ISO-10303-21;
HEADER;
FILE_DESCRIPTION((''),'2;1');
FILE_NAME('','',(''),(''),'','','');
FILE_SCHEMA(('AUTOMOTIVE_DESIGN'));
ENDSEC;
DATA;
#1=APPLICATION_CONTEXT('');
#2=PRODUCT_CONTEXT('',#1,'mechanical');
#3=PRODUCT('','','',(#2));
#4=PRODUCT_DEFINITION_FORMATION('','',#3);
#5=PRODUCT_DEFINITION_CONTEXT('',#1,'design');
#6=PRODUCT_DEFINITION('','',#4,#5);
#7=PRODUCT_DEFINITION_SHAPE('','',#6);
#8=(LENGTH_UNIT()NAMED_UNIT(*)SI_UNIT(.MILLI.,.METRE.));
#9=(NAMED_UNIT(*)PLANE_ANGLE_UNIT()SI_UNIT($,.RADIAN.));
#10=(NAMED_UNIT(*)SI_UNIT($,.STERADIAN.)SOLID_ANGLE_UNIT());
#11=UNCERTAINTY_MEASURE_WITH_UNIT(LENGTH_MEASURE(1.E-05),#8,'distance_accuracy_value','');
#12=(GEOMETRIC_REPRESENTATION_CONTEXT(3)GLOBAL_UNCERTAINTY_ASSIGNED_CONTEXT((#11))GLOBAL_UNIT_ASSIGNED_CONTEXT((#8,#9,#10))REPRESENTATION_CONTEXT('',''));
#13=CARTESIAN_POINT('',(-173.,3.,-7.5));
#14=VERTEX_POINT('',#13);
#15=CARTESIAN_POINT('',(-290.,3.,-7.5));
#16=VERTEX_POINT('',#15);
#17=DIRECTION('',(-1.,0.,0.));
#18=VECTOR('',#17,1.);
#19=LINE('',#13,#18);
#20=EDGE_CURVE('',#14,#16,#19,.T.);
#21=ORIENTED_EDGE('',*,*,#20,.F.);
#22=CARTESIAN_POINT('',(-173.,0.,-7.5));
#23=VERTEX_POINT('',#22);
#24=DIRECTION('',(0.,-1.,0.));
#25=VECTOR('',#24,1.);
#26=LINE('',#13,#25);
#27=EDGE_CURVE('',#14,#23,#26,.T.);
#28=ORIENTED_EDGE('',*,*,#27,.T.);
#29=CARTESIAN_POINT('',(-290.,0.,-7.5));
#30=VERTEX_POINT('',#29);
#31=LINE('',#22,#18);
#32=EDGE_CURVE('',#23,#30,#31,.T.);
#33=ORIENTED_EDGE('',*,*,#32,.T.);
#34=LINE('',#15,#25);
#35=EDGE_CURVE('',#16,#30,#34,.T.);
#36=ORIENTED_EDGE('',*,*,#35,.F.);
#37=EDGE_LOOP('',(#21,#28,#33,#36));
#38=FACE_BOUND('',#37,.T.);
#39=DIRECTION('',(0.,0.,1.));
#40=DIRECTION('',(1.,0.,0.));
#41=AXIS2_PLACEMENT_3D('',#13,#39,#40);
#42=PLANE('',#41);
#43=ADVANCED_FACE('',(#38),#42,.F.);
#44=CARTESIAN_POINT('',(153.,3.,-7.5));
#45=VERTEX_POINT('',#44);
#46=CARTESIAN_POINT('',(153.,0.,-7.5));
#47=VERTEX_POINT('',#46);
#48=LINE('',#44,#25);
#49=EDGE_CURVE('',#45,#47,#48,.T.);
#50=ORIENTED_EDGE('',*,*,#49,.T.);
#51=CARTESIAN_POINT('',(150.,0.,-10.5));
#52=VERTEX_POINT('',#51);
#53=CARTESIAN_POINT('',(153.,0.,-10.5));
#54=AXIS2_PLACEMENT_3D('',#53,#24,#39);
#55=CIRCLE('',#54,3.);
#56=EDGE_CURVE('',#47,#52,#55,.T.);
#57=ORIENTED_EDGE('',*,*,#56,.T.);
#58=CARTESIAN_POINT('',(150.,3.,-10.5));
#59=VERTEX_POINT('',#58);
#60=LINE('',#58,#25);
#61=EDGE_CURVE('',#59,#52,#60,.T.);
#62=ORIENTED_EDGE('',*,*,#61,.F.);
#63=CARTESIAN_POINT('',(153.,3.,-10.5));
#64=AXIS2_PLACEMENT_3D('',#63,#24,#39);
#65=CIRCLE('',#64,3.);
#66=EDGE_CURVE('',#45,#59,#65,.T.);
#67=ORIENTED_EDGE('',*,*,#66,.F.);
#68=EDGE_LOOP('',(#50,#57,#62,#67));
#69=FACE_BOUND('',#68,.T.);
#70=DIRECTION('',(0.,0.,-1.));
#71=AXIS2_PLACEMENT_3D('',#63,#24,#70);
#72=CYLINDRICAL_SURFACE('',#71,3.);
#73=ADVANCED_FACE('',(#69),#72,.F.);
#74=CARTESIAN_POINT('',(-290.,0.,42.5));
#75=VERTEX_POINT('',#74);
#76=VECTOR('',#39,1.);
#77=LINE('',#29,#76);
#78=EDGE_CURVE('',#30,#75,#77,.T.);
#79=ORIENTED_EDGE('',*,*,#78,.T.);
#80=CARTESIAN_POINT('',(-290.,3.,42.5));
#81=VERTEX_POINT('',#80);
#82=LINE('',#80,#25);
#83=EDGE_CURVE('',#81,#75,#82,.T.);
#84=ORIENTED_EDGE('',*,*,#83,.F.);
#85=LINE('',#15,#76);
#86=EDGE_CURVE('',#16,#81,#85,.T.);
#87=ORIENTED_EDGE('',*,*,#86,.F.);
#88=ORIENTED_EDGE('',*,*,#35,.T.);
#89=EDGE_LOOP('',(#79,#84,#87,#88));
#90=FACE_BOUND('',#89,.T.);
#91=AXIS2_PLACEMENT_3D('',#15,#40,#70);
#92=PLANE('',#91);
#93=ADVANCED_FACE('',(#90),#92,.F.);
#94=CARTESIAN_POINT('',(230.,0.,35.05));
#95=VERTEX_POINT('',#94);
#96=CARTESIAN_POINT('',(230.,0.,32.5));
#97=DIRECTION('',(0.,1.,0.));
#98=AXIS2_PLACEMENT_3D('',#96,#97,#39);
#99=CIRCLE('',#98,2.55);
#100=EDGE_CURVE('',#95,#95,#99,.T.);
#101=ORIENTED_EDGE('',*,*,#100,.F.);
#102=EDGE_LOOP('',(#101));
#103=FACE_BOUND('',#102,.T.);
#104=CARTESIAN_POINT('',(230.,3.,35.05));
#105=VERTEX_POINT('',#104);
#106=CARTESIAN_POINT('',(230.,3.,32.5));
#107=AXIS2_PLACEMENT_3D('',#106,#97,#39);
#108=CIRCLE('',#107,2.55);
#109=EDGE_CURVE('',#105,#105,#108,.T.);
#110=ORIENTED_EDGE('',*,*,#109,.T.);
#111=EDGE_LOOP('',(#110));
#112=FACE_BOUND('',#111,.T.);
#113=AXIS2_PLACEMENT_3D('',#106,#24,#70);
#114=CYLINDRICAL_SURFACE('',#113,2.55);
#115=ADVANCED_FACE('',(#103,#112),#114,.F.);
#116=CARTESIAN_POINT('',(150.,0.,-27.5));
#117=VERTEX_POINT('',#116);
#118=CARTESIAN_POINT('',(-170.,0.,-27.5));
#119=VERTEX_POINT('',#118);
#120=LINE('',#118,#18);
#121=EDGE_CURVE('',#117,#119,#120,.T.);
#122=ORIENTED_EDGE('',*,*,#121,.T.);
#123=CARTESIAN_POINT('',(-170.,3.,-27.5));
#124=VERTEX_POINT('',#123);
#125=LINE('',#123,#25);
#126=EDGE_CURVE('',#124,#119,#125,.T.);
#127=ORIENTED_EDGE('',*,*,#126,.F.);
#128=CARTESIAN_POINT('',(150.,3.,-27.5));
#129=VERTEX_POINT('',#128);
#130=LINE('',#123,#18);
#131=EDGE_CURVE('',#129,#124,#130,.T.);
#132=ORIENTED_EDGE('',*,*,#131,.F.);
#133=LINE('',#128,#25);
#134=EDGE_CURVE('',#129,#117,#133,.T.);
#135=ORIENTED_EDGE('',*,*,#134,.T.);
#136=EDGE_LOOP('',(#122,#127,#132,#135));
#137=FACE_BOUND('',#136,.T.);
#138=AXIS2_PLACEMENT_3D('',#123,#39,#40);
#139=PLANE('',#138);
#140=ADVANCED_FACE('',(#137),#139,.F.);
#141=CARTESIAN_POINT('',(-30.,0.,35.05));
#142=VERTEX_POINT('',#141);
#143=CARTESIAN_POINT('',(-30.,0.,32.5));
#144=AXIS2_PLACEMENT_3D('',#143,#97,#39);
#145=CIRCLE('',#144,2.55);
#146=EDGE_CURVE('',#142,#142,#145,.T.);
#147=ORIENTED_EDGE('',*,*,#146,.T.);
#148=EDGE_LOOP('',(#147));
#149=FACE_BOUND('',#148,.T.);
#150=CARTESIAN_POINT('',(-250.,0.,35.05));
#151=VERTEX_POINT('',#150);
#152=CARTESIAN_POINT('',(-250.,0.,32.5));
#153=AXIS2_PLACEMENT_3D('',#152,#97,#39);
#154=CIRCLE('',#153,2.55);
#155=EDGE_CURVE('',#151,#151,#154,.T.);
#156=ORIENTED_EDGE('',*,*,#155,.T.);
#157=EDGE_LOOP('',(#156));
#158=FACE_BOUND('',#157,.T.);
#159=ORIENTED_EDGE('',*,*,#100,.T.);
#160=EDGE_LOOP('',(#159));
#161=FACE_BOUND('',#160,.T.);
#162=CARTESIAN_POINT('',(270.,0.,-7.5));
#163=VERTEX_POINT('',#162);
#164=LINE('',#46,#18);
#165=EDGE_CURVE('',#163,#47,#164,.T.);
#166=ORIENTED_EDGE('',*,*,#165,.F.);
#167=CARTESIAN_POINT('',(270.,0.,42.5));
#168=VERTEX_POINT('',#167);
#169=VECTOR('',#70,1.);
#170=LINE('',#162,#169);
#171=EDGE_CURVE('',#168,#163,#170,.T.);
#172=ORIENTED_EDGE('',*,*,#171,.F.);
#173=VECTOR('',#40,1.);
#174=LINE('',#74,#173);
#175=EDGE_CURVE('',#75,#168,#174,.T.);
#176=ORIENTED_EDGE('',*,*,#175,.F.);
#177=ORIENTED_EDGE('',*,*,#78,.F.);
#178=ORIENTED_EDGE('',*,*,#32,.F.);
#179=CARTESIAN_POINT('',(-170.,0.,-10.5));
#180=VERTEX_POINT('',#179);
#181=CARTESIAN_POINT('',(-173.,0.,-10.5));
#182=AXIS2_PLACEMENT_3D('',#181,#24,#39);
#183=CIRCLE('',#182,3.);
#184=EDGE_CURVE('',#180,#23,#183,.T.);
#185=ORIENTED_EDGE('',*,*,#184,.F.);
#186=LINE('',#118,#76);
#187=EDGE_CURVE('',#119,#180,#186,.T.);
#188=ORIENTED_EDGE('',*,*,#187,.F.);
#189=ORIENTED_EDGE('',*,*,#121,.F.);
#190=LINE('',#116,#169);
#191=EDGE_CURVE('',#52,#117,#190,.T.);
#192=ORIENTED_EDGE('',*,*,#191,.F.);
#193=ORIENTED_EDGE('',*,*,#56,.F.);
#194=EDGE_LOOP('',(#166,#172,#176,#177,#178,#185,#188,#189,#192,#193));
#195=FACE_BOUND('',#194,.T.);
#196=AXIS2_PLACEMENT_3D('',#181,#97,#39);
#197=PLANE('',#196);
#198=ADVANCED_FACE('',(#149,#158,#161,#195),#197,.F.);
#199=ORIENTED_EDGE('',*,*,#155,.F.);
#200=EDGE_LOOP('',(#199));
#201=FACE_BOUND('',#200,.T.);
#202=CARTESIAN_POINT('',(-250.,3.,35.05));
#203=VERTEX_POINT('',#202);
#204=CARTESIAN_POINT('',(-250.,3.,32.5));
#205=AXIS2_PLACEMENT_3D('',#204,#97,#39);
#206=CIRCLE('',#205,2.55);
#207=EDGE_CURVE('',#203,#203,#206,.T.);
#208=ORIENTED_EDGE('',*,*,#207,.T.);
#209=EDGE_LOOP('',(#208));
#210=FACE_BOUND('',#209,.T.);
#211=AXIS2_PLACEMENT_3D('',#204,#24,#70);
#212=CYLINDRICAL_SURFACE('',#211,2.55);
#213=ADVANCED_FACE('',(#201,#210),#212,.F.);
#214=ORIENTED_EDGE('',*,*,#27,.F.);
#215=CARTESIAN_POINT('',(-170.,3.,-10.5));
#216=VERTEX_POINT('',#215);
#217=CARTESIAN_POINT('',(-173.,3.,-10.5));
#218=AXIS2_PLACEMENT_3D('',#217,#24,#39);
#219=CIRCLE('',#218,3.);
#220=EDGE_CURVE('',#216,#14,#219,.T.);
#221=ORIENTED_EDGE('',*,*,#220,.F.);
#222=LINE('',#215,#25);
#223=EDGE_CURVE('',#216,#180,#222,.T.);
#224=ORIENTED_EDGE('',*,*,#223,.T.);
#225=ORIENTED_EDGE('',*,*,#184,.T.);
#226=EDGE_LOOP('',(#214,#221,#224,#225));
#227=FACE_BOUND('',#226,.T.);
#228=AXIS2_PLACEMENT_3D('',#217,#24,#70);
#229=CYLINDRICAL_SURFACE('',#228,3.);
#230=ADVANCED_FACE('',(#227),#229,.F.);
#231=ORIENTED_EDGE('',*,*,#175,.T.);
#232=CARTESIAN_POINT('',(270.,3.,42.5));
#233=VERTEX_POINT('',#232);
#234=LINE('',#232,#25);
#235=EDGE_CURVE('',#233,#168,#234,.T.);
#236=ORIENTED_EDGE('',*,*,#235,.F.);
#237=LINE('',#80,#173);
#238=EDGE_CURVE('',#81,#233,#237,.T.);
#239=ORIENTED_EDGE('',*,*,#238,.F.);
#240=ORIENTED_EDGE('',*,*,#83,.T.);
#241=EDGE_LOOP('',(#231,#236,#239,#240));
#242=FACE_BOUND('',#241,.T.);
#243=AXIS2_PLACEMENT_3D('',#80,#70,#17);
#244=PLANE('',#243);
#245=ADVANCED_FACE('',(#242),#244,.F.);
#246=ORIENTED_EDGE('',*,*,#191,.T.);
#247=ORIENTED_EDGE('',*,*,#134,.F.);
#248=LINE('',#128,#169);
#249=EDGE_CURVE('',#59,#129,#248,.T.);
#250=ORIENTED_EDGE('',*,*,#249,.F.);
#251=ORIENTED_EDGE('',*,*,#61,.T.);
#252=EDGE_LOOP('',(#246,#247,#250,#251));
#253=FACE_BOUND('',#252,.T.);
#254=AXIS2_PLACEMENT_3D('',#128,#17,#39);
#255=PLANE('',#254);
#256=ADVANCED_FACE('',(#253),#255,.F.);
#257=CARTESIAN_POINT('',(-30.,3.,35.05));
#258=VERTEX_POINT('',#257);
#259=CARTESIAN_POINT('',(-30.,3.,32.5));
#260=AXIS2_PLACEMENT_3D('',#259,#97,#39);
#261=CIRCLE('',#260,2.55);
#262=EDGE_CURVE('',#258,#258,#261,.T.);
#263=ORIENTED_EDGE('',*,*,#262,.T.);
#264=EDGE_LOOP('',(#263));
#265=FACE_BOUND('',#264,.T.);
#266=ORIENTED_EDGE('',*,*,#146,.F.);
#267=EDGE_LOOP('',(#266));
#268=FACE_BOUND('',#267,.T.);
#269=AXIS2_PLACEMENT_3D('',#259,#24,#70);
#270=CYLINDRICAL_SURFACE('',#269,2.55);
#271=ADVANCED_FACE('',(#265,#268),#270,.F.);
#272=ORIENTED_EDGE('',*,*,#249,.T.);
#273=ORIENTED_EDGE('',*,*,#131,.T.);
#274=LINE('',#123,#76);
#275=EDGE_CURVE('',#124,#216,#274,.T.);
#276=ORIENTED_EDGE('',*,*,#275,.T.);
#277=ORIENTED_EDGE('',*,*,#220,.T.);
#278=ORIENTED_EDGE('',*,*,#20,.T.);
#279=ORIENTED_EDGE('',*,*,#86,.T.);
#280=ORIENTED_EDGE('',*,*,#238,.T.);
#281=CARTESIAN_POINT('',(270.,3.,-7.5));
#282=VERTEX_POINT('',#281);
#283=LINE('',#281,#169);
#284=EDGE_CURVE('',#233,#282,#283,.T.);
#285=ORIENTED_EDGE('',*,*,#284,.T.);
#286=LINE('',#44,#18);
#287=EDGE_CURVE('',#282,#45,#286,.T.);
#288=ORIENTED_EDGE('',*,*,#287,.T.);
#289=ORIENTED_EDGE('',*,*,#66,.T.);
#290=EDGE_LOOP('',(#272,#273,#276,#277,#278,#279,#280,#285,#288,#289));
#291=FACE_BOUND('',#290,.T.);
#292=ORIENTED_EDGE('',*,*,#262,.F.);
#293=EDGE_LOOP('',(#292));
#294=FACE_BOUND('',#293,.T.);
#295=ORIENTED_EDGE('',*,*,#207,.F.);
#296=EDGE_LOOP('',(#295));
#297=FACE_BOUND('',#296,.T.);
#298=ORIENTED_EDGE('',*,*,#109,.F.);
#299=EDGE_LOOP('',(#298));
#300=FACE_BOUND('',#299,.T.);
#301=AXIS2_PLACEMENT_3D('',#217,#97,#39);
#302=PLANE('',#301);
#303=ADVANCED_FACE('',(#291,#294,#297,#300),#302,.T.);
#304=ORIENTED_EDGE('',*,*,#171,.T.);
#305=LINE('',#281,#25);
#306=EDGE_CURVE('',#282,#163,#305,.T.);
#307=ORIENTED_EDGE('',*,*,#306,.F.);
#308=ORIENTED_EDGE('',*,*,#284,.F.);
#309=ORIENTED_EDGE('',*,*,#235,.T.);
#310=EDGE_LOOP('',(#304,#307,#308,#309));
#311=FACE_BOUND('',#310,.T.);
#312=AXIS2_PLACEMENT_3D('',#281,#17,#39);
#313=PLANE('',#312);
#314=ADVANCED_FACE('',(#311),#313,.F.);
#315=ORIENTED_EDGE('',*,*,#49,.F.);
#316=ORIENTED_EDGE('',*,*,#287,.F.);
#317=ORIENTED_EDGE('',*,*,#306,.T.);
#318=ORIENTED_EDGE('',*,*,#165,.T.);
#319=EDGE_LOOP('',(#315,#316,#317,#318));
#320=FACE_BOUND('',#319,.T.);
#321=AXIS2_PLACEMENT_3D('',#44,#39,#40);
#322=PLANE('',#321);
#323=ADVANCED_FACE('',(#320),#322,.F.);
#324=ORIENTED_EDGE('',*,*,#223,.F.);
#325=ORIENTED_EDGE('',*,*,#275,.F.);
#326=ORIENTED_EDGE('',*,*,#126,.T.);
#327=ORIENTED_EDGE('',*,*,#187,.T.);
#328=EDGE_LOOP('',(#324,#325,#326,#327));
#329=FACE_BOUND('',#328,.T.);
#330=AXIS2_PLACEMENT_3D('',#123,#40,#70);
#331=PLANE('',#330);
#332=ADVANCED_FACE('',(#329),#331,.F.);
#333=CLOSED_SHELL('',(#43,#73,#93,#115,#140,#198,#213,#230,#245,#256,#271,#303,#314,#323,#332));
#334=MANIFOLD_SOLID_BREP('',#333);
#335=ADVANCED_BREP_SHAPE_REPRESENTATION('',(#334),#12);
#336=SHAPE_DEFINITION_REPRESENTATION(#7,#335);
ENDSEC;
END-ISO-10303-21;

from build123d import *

# Parameters (mm, degrees)
SKETCH1_R           = 2.55
BOSS_EXTRUDE1_DEPTH = 3


with BuildPart() as part:
    # Sketch1 → Boss-Extrude1 (new body)
    with BuildSketch(Plane(origin=(0, 0, 0), x_dir=(1, 0, 0), z_dir=(0, 1, 0))):
        with BuildLine():
            Line((-170, 27.5), (-170, 10.5))
            ThreePointArc((-170, 10.5), (-170.878679656, 8.378679656), (-173, 7.5))
            Line((-173, 7.5), (-290, 7.5))
            Line((-290, 7.5), (-290, -42.5))
            Line((-290, -42.5), (270, -42.5))
            Line((270, -42.5), (270, 7.5))
            Line((270, 7.5), (153, 7.5))
            ThreePointArc((153, 7.5), (150.878679656, 8.378679656), (150, 10.5))
            Line((150, 10.5), (150, 27.5))
            Line((150, 27.5), (-170, 27.5))
        make_face()
        with Locations((-250, -32.5)):
            Circle(SKETCH1_R, mode=Mode.SUBTRACT)
        with Locations((-30, -32.5)):
            Circle(SKETCH1_R, mode=Mode.SUBTRACT)
        with Locations((230, -32.5)):
            Circle(SKETCH1_R, mode=Mode.SUBTRACT)
    extrude(amount=BOSS_EXTRUDE1_DEPTH)


solid = part.part
